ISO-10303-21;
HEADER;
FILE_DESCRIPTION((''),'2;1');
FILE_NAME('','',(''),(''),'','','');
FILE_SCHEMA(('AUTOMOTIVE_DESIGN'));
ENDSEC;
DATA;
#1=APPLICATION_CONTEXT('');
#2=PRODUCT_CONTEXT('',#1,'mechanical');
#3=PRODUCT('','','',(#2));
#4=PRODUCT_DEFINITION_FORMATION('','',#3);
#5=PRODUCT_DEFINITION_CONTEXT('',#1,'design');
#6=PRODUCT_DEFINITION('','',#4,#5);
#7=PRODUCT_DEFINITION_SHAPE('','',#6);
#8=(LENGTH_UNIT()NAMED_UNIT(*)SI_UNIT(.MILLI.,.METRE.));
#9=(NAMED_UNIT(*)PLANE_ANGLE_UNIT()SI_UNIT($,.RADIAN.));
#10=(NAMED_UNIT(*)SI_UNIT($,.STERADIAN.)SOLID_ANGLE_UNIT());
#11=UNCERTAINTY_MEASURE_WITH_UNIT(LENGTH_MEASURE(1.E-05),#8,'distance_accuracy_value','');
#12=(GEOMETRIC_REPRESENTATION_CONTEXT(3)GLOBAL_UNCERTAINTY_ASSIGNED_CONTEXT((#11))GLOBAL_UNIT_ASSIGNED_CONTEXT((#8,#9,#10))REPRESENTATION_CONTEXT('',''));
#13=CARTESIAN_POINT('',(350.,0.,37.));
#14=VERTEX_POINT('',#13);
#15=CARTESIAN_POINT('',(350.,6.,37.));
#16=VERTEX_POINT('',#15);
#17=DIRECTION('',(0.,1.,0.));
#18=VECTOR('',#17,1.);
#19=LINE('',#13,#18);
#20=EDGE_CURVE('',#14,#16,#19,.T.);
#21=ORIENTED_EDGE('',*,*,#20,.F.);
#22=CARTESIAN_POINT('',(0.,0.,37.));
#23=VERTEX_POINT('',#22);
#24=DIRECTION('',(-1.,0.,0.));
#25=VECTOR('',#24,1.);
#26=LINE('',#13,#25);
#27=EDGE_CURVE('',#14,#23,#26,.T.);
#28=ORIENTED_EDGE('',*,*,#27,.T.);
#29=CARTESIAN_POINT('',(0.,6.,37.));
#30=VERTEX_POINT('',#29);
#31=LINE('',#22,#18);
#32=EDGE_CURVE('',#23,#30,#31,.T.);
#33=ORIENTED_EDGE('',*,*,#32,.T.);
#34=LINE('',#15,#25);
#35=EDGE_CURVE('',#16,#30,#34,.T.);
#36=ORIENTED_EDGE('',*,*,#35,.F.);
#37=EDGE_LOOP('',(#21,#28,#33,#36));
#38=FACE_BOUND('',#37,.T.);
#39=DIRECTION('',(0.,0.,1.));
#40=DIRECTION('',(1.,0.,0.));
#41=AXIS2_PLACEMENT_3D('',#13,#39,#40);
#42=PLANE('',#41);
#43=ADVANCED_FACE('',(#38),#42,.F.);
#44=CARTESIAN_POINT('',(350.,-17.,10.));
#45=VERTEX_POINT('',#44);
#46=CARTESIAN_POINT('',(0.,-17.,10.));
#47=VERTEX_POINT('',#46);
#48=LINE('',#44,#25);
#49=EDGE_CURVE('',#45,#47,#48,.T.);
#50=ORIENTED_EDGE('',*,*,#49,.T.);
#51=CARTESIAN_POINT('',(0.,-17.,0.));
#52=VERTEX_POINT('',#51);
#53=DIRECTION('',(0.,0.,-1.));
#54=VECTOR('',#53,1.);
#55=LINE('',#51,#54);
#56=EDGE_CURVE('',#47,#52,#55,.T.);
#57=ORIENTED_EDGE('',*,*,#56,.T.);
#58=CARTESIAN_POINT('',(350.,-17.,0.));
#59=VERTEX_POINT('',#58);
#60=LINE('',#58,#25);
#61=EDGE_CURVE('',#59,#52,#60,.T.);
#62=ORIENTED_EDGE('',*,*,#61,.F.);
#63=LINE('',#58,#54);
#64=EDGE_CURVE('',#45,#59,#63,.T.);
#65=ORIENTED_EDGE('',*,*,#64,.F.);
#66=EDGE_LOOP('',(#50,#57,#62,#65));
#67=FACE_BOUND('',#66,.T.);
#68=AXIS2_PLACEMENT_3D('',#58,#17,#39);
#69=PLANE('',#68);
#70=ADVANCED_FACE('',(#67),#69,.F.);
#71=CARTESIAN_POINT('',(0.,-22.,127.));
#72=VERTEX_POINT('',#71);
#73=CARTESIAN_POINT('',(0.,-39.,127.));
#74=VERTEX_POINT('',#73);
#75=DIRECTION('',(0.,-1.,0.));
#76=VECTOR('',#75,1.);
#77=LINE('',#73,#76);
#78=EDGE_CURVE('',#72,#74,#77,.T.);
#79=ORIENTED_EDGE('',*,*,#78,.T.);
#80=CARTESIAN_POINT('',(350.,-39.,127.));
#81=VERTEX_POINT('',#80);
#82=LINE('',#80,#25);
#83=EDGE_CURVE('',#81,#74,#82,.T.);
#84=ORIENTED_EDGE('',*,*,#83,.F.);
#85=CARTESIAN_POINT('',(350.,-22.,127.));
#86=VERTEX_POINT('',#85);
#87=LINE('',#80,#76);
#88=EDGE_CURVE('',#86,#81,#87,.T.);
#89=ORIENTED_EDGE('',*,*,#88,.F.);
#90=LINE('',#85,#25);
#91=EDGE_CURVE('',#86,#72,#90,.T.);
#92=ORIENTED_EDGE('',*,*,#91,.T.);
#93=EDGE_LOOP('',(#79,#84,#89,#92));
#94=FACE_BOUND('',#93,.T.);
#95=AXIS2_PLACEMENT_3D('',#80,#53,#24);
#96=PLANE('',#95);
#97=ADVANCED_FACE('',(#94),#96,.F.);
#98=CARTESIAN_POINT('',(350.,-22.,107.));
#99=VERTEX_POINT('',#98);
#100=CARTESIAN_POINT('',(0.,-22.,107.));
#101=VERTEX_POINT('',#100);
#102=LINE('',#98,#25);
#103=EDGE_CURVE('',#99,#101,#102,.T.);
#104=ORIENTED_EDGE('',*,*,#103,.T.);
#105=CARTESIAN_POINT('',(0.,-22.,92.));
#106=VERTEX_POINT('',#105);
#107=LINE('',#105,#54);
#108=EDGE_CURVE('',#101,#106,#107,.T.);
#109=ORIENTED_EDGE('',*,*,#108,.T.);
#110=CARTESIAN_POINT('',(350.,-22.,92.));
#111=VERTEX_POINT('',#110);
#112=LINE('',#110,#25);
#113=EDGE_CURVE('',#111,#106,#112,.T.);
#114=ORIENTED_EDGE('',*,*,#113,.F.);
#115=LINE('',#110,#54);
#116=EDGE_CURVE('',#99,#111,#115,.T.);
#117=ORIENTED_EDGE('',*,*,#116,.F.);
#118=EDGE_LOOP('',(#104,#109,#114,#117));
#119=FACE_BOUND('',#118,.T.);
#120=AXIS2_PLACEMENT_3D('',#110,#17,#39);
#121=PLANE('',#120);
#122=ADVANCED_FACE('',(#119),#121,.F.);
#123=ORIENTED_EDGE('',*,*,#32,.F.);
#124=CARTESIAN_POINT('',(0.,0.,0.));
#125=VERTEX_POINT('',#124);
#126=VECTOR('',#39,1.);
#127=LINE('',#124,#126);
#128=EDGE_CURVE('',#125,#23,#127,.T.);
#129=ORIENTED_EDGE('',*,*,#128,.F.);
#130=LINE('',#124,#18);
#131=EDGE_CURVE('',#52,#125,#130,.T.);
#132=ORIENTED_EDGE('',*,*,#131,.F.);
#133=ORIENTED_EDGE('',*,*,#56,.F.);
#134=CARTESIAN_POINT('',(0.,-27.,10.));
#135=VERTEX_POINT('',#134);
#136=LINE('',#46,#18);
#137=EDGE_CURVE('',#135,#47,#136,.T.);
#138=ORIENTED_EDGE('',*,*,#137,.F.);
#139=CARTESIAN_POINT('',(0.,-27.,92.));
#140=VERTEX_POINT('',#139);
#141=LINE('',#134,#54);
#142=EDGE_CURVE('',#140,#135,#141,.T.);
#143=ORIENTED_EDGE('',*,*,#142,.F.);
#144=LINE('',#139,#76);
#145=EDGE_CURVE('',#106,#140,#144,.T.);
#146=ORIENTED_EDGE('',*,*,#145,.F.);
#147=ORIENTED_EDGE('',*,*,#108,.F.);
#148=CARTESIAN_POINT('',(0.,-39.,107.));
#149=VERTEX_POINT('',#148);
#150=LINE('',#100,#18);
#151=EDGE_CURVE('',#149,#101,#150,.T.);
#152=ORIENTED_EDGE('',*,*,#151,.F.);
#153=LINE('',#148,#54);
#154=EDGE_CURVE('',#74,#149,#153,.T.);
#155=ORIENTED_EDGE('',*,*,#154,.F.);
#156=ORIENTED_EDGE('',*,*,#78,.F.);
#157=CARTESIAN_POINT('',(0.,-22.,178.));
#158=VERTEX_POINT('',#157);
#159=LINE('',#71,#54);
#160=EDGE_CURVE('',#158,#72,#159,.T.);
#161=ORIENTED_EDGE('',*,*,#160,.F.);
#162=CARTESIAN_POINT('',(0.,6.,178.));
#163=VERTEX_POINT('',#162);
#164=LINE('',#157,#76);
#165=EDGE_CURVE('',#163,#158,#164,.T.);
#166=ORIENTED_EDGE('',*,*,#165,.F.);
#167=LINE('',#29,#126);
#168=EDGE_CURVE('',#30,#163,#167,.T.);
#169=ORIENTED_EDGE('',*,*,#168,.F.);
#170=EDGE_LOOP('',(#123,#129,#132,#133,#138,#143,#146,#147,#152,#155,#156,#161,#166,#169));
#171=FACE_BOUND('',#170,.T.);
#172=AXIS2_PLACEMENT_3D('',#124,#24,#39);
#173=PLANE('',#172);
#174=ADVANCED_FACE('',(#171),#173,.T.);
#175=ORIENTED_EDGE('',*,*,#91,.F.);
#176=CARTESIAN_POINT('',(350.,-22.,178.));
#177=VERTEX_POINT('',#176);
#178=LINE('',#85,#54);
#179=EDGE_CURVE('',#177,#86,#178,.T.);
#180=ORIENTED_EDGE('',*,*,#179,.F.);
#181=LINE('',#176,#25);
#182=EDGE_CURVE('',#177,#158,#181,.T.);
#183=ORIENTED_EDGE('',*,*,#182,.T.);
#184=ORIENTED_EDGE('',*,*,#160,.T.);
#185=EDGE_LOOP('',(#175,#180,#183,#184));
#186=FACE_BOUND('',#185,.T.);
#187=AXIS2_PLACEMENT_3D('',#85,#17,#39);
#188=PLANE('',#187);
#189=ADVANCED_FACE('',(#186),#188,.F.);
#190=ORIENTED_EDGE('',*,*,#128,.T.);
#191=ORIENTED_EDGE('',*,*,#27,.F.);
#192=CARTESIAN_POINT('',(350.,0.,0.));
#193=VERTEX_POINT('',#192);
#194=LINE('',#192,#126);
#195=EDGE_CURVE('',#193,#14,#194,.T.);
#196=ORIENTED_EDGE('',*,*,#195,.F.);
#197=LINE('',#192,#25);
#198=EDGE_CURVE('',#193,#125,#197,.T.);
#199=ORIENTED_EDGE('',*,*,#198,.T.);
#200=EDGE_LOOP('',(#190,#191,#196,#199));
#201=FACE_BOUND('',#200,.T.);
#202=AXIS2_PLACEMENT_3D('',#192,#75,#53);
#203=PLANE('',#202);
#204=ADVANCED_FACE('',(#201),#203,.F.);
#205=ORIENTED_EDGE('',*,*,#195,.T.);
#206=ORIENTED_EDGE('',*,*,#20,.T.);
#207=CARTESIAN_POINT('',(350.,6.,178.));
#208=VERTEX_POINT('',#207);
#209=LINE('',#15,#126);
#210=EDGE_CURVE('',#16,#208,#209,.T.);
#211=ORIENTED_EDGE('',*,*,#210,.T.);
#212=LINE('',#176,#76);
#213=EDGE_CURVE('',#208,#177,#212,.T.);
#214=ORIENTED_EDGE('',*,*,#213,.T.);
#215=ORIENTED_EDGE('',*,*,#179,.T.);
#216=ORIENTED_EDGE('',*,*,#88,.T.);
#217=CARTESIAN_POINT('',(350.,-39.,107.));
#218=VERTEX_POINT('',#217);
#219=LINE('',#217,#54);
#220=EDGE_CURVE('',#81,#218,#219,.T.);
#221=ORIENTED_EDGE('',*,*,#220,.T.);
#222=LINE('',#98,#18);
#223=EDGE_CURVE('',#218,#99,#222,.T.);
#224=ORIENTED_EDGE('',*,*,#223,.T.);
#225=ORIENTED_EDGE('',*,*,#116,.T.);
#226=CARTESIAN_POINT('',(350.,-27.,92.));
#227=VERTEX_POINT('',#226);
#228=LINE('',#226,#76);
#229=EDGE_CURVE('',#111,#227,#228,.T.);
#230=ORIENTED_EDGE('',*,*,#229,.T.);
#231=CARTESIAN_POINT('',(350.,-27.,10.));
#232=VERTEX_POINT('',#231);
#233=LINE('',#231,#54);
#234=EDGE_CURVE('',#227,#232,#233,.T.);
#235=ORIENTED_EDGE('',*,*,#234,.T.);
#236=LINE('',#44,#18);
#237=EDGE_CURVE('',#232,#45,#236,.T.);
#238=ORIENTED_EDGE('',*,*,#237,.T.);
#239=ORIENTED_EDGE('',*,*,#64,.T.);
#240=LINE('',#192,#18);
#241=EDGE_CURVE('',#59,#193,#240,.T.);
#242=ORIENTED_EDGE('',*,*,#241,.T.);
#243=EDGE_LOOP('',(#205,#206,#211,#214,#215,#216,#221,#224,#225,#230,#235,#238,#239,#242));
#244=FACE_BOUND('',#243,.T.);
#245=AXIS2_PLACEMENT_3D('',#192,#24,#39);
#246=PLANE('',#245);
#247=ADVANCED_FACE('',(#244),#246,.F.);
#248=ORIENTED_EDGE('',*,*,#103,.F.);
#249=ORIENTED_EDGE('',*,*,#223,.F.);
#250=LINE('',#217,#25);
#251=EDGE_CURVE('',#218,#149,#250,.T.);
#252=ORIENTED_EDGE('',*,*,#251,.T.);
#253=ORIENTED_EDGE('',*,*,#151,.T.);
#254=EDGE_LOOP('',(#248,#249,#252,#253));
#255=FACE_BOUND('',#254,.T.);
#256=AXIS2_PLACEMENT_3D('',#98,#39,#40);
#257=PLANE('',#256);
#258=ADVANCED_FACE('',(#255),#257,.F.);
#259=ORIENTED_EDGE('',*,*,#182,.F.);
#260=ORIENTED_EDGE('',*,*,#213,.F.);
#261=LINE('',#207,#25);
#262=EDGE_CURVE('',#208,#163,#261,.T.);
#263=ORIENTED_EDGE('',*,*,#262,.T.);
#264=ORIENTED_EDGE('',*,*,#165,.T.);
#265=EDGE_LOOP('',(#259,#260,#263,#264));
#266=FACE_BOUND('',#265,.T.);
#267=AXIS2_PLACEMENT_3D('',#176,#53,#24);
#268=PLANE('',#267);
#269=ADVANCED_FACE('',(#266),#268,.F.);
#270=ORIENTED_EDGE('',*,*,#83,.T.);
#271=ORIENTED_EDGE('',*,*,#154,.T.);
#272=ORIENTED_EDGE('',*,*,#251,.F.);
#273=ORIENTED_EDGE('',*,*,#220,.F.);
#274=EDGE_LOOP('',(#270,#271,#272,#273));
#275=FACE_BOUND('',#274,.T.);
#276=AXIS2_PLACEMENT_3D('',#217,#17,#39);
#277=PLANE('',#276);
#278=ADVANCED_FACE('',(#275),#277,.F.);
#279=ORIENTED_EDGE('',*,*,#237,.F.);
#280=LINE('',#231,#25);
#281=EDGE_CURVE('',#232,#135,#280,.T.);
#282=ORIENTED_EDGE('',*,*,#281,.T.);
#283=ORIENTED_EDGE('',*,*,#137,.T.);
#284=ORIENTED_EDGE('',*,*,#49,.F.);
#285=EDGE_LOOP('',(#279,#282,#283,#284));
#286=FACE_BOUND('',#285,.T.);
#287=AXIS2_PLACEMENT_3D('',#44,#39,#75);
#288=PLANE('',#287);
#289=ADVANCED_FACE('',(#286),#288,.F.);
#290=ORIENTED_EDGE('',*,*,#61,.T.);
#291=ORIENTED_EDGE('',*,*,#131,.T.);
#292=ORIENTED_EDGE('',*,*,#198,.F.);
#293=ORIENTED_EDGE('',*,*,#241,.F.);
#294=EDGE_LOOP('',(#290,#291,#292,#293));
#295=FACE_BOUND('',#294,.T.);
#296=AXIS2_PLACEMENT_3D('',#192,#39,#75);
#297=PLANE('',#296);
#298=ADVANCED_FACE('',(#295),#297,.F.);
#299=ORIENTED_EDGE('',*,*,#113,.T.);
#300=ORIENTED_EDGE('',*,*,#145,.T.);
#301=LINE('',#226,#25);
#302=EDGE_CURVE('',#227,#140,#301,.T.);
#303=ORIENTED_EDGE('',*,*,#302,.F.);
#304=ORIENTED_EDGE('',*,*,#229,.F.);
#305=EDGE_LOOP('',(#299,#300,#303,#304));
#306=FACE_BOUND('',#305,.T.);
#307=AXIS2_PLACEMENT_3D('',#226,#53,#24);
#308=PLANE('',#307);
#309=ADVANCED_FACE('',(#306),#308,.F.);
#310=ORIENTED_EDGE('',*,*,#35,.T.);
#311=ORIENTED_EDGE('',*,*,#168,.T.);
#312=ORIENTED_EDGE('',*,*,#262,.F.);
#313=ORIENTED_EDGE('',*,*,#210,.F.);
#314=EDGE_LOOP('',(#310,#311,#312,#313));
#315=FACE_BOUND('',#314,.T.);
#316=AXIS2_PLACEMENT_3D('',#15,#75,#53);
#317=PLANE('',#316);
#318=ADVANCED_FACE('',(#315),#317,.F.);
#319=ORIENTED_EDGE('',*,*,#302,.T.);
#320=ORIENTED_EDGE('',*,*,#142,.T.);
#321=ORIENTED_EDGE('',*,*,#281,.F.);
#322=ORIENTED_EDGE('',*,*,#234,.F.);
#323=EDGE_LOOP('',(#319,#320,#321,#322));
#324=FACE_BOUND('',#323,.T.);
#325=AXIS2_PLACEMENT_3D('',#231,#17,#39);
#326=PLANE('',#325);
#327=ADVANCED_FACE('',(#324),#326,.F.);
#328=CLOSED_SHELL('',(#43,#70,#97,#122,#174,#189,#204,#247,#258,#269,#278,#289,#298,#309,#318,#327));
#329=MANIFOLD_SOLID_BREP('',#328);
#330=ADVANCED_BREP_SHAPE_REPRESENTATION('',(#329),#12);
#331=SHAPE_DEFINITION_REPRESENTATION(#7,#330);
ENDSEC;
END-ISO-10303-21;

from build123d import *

# Parameters (mm, degrees)
BOSS_EXTRUDE1_DEPTH = 350


with BuildPart() as part:
    # Sketch2 → Boss-Extrude1 (new body)
    with BuildSketch(Plane(origin=(0, 0, 0), x_dir=(0, 0, -1), z_dir=(1, 0, 0))):
        Polygon((0, 0), (0, -17), (-10, -17), (-10, -27), (-92, -27), (-92, -22), (-107, -22), (-107, -39), (-127, -39), (-127, -22), (-178, -22), (-178, 6), (-37, 6), (-37, 0), align=None)
    extrude(amount=BOSS_EXTRUDE1_DEPTH)


solid = part.part
